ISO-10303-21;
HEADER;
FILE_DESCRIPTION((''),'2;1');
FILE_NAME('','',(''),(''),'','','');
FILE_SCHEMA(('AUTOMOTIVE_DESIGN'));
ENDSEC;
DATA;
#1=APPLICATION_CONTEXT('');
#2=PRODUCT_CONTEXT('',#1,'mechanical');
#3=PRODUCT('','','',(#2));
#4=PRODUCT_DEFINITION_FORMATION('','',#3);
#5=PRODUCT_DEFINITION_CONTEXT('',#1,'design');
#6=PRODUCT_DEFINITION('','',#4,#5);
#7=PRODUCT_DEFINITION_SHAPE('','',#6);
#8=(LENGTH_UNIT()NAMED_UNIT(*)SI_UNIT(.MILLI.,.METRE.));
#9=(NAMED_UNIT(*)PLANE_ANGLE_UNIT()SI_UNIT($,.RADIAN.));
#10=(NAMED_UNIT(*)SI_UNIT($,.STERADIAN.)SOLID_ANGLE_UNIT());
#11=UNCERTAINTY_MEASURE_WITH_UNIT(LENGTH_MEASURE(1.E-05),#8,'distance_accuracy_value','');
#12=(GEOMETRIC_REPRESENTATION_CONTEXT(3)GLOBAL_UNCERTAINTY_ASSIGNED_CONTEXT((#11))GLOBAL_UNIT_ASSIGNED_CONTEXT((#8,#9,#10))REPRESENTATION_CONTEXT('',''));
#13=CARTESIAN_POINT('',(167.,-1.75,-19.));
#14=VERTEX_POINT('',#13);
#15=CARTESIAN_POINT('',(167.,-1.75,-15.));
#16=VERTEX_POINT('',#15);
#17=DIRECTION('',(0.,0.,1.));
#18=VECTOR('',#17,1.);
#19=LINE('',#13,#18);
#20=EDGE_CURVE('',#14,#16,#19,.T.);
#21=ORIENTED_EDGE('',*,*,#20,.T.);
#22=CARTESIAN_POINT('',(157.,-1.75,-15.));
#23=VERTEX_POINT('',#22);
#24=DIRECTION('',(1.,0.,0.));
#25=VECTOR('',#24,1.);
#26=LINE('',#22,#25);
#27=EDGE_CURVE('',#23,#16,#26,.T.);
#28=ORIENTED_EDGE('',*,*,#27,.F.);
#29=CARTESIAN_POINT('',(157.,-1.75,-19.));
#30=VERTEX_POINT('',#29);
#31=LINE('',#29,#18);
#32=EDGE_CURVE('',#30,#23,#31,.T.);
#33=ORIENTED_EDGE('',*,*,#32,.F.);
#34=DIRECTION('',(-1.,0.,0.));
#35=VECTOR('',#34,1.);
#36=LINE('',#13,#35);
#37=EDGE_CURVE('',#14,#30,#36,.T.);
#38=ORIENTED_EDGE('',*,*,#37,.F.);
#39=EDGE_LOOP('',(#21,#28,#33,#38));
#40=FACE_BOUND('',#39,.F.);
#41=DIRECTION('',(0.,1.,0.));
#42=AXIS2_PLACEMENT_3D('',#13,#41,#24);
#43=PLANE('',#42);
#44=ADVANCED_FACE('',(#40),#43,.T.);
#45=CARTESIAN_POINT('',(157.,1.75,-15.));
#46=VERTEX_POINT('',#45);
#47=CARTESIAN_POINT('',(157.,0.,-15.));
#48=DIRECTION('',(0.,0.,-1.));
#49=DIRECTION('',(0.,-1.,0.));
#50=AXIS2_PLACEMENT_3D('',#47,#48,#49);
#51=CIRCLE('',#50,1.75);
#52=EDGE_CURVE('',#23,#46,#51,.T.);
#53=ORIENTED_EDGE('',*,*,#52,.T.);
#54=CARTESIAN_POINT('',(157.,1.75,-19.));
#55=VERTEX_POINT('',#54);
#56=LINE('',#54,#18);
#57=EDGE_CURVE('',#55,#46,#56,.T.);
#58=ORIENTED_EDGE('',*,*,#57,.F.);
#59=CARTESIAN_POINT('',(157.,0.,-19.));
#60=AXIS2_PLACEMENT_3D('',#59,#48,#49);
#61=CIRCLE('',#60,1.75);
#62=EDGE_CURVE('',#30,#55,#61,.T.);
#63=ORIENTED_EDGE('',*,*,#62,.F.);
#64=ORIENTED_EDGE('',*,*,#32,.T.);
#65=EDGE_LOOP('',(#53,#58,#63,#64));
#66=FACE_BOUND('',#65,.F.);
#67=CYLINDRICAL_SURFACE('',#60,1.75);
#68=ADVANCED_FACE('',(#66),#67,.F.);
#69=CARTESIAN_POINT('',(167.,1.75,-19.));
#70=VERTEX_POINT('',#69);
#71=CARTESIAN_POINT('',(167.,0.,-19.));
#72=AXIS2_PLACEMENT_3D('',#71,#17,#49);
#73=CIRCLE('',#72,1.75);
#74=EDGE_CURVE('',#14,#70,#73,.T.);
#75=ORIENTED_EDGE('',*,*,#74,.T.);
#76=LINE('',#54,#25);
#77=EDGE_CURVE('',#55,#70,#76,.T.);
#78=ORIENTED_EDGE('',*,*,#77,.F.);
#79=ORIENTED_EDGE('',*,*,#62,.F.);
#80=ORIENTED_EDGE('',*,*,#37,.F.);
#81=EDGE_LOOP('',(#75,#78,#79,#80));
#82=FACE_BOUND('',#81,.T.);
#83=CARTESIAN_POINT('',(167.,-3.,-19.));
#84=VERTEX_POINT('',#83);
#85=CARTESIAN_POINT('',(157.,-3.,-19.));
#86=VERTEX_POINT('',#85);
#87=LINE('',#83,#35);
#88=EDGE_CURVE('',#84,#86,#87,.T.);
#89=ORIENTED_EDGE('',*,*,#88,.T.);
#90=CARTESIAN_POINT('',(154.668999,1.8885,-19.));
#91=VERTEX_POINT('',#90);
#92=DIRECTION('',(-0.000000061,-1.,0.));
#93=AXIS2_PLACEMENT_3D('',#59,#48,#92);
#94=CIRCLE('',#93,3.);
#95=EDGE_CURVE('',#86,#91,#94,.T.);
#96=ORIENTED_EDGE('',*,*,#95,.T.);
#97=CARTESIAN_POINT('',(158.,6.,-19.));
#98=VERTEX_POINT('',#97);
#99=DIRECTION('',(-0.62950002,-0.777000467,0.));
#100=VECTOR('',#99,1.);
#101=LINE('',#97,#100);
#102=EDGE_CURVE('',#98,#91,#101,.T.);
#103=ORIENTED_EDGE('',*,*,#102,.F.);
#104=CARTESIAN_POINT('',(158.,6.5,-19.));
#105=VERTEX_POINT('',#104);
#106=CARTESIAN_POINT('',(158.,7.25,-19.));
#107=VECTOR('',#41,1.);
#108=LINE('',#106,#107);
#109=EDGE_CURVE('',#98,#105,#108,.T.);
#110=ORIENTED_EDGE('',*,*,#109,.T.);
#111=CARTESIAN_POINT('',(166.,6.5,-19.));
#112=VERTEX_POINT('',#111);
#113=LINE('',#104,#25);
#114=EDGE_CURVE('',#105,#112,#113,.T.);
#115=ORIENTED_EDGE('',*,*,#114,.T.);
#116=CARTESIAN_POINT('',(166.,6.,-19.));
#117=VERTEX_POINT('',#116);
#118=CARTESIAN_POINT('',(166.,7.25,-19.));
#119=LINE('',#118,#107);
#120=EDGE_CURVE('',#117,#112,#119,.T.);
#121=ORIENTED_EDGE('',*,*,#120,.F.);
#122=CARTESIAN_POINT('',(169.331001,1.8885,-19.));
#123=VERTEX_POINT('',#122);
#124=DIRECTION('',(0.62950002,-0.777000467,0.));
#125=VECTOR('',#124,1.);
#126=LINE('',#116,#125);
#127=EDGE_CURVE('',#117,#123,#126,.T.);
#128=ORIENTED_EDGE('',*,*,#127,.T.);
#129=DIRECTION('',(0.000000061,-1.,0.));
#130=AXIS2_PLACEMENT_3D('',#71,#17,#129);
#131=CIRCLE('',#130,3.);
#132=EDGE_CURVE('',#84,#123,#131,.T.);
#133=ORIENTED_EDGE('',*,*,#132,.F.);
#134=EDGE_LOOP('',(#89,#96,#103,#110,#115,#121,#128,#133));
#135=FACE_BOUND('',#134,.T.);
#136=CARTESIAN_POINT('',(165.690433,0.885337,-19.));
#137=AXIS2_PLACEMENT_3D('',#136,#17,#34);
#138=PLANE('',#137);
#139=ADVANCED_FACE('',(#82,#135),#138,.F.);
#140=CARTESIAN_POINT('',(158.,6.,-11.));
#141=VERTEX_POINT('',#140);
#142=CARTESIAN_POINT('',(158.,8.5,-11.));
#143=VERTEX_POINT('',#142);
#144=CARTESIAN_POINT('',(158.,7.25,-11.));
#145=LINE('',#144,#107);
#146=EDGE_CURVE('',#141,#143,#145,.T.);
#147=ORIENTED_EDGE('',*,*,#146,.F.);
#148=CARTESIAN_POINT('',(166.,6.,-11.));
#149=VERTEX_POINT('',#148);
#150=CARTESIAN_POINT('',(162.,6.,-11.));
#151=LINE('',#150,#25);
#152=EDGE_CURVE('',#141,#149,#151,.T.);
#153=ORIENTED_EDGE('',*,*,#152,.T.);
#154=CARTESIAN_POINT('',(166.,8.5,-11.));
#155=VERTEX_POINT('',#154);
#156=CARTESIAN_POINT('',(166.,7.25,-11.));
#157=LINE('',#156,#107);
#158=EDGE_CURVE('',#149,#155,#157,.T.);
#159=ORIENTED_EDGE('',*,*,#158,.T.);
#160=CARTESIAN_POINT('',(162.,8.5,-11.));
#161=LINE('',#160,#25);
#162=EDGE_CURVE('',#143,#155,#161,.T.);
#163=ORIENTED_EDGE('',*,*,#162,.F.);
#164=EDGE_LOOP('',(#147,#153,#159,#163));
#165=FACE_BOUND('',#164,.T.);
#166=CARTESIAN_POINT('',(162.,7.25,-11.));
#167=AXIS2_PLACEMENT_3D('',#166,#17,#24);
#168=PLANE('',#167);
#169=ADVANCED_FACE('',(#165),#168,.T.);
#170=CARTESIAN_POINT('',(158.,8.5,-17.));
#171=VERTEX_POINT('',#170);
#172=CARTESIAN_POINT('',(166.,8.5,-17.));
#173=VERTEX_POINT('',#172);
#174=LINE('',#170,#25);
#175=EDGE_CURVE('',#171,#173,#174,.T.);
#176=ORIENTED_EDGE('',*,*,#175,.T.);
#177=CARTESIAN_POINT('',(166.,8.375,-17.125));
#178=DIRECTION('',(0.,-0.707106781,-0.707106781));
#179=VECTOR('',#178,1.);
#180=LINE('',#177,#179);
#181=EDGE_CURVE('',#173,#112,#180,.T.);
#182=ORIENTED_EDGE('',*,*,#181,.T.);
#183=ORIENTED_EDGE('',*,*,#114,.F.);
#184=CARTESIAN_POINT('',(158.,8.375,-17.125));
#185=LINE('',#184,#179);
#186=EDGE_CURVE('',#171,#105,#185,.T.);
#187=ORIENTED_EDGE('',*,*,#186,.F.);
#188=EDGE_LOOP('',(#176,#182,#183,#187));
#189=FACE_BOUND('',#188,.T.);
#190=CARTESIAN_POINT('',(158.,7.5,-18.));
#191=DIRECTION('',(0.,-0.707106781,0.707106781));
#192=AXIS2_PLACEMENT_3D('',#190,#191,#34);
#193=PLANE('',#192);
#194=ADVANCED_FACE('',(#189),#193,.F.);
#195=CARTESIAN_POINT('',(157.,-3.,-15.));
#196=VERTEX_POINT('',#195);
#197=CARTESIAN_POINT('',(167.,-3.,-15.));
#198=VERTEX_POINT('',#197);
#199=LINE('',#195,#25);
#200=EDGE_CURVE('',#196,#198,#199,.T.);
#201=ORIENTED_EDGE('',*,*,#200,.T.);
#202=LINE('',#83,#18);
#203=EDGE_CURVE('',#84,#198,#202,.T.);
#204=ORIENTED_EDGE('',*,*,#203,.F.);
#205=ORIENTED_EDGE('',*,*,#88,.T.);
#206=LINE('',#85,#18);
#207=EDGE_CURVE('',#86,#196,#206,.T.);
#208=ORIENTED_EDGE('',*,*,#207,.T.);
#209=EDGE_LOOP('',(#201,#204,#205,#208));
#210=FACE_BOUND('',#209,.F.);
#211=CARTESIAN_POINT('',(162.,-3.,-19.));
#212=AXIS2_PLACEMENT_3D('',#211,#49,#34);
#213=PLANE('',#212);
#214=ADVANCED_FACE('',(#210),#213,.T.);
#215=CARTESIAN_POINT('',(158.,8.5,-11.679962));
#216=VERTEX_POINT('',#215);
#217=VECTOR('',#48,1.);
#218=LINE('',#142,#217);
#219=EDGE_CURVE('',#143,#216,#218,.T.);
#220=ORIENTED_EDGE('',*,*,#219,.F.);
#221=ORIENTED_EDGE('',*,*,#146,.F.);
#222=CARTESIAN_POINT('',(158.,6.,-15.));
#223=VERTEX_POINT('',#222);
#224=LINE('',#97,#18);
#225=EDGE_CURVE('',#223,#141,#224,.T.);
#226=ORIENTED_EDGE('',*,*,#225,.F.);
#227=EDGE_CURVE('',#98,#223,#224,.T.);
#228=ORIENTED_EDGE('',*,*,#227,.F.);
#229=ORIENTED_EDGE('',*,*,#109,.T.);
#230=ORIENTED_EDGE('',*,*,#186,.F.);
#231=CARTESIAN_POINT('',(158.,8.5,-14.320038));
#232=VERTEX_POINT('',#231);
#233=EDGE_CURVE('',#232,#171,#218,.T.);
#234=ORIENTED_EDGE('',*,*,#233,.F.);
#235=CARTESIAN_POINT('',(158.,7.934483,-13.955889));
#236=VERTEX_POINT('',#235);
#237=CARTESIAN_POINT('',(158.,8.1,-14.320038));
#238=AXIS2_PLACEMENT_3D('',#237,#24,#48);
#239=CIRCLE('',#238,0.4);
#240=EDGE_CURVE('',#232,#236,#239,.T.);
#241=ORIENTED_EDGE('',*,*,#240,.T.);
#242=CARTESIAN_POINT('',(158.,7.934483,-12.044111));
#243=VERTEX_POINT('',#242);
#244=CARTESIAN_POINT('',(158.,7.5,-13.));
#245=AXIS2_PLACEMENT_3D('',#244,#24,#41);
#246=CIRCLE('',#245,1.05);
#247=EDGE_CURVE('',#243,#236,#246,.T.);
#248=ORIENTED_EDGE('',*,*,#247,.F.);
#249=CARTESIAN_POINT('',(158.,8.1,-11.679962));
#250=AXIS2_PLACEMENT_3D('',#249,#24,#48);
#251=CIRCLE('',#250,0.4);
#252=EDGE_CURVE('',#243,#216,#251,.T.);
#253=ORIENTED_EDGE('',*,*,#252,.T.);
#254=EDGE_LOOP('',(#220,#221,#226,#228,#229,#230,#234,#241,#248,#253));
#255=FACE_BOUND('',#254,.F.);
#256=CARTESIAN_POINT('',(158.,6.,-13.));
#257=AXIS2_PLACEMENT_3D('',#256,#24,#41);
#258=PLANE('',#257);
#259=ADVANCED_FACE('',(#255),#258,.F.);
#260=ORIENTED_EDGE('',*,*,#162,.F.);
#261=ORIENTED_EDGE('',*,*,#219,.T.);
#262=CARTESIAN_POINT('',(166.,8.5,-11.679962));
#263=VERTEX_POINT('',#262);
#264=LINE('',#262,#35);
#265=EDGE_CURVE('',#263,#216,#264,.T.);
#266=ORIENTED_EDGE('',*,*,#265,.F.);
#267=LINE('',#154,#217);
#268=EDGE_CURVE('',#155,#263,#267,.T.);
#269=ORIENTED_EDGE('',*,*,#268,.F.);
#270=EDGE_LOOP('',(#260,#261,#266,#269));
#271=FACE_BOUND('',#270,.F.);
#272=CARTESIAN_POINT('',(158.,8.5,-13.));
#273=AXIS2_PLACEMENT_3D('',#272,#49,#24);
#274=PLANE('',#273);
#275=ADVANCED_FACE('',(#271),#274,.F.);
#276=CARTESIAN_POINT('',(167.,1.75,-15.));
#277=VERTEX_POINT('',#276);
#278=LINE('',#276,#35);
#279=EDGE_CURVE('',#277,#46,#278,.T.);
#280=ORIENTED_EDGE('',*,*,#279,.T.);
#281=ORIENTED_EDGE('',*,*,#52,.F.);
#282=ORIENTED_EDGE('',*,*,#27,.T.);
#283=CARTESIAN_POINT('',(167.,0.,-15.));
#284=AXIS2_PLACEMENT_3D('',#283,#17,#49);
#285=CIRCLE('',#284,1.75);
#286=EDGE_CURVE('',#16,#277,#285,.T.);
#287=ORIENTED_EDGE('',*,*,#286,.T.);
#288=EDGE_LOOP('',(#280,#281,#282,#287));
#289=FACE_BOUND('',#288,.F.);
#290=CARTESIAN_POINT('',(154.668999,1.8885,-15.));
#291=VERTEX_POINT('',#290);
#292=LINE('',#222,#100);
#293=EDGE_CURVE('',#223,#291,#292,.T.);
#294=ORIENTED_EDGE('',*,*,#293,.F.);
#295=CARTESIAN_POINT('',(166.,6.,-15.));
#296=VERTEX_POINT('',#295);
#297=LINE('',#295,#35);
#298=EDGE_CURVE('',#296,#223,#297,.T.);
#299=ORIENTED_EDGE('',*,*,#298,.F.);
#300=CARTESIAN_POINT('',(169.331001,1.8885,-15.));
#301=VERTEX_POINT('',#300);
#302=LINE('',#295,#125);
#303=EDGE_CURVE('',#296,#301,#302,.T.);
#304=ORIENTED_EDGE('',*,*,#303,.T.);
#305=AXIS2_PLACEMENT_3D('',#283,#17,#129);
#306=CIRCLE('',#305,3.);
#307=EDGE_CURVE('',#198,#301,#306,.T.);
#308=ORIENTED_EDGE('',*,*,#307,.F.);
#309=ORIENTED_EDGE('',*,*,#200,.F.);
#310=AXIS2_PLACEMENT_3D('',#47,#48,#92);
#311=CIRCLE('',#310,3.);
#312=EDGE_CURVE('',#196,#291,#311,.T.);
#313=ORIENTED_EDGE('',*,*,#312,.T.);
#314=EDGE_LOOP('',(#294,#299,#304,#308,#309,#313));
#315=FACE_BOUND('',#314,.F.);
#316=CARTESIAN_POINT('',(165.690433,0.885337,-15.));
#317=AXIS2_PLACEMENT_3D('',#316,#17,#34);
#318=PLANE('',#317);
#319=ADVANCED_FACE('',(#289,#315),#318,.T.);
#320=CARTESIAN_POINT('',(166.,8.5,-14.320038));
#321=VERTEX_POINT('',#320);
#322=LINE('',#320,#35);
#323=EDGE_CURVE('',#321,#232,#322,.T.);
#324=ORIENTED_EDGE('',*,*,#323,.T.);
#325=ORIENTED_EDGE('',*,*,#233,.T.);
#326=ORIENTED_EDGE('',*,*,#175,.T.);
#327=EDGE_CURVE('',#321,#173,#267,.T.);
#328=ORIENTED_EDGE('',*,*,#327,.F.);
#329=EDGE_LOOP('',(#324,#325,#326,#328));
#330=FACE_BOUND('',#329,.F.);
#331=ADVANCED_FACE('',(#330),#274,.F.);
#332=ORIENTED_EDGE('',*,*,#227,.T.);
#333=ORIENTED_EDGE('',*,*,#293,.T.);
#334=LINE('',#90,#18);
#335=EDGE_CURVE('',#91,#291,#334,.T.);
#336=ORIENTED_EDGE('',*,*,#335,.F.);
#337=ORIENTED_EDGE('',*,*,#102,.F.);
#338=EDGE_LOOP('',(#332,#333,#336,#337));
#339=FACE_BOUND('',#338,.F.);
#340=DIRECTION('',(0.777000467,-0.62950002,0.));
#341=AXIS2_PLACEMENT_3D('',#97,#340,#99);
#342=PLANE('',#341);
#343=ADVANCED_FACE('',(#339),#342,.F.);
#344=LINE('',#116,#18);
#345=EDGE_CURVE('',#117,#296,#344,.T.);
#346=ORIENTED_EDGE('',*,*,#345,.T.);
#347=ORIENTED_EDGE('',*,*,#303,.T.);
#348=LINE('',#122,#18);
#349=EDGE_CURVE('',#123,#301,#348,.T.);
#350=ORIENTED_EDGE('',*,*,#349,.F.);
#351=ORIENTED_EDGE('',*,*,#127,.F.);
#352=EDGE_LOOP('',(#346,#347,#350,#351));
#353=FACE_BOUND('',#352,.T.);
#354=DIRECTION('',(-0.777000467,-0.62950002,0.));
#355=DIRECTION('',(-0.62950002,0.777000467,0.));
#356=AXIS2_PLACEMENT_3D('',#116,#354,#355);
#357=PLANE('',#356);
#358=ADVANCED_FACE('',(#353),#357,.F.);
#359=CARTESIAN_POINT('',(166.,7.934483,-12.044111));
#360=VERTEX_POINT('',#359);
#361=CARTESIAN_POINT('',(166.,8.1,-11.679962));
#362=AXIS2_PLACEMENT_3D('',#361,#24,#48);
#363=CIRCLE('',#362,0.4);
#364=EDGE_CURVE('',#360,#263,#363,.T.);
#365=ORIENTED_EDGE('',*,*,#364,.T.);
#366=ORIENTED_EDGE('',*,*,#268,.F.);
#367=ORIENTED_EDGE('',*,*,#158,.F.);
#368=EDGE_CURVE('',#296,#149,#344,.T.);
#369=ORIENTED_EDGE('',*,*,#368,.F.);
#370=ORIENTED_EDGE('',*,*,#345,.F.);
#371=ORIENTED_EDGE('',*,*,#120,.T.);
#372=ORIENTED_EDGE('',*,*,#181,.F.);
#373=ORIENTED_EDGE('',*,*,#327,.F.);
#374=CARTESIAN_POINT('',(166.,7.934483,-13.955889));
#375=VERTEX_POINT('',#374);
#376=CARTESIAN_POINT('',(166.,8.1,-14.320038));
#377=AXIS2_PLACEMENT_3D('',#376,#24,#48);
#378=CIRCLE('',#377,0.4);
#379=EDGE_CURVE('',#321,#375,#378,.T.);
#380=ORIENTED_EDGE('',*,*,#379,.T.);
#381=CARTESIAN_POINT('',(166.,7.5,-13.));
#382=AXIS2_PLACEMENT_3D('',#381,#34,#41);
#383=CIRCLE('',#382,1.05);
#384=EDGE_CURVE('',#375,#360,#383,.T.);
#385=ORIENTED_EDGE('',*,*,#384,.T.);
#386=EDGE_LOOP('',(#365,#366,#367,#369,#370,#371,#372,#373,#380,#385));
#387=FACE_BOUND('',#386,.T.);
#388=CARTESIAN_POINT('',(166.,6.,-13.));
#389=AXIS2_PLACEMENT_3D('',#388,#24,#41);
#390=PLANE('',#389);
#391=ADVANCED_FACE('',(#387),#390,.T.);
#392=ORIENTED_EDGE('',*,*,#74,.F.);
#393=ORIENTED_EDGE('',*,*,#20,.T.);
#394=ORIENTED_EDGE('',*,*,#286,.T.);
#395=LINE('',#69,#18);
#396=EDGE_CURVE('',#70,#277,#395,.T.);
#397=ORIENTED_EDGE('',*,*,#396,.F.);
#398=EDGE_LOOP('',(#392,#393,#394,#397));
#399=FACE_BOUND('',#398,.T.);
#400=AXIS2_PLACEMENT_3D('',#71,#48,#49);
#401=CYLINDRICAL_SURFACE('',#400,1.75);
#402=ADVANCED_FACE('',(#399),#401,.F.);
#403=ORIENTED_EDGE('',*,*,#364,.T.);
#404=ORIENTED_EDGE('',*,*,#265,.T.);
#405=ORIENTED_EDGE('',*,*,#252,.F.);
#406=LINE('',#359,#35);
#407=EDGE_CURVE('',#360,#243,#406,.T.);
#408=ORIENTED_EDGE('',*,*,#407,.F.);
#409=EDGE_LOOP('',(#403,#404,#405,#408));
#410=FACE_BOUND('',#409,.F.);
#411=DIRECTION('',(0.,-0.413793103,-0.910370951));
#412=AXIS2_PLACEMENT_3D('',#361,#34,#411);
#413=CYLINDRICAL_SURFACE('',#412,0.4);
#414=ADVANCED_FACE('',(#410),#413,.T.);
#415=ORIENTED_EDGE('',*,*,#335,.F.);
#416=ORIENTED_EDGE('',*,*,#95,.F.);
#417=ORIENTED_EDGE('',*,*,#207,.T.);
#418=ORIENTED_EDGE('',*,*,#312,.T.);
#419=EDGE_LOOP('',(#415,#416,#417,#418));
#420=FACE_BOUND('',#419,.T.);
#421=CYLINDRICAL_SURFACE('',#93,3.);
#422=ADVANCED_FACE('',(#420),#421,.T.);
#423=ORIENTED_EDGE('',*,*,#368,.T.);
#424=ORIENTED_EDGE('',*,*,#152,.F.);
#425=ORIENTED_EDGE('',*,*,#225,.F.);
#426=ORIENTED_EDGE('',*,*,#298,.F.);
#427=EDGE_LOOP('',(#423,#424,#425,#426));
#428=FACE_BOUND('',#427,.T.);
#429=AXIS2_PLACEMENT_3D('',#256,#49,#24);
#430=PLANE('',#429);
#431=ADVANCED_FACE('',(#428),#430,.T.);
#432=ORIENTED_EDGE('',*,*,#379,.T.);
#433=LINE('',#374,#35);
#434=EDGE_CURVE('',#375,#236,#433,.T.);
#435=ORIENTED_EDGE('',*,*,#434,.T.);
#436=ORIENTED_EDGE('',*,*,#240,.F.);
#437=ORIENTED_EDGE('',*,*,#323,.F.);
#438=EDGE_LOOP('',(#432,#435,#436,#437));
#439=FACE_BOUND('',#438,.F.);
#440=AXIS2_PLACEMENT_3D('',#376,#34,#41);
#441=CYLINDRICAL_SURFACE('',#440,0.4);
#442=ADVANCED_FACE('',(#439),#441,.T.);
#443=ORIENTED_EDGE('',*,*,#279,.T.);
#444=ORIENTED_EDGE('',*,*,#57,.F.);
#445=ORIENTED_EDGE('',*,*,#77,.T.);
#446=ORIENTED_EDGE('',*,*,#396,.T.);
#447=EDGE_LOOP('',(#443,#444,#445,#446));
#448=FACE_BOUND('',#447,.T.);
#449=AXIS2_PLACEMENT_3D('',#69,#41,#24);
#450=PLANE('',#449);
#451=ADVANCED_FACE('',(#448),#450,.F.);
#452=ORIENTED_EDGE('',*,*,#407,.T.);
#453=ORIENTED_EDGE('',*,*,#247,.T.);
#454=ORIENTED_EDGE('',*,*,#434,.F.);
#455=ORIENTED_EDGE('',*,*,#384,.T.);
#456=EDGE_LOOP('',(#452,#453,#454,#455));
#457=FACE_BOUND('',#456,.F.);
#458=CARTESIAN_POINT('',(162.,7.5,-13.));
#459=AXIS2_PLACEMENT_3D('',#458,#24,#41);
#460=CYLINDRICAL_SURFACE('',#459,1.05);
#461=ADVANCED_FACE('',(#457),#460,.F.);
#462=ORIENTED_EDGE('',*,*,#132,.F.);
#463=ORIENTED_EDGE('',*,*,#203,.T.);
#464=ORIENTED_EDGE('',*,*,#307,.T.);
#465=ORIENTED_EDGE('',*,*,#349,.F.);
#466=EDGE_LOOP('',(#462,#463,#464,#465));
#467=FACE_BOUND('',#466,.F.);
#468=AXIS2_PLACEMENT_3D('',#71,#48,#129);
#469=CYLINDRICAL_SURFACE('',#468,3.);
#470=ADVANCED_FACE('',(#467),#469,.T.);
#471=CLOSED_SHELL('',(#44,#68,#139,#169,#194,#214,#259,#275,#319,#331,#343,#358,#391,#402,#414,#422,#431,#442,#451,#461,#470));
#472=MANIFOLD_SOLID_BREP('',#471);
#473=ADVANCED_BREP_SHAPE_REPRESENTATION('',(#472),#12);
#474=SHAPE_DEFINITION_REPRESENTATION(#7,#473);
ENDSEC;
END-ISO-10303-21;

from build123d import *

# Parameters (mm, degrees)
SKETCH228_W          = 8
SKETCH228_H          = 2.5
PAD110_DEPTH         = 2
PAD110_DEPTH_BACK    = 6
SKETCH227_R          = 1.05
POCKET092_DEPTH      = 4.001
POCKET092_DEPTH_BACK = 4.001
PAD111_DEPTH         = 4
FILLET001_R          = 0.4
CHAMFER006_SIZE      = 2


with BuildPart() as part:
    # Sketch228 → Pad110 (new body, two sides)
    with BuildSketch(Plane.XY) as pad110_sk:
        with Locations((0, -0.25)):
            Rectangle(SKETCH228_W, SKETCH228_H)
    extrude(amount=PAD110_DEPTH)
    extrude(pad110_sk.sketch, amount=-PAD110_DEPTH_BACK)

    # Sketch227 → Pocket092 (cut, two sides)
    with BuildSketch(Plane.YZ) as pocket092_sk:
        Circle(SKETCH227_R)
    extrude(amount=-POCKET092_DEPTH, mode=Mode.SUBTRACT)
    extrude(pocket092_sk.sketch, amount=POCKET092_DEPTH_BACK, mode=Mode.SUBTRACT)

    # Sketch229 (on Face2 of Pocket092) → Pad111 (join)
    with BuildSketch(Plane(origin=(0, 0, -6), x_dir=(1, 0, 0), z_dir=(0, 0, -1))):
        with BuildLine():
            ThreePointArc((-5, 9.25), (-6.75, 7.5), (-5, 5.75))
            Line((-5, 5.75), (0, 5.75))
            Line((0, 5.75), (0, 1.5))
            Line((0, 1.5), (-4, 1.5))
            Line((-4, 1.5), (-7.331001, 5.6115))
            ThreePointArc((-5, 10.5), (-7.707905, 8.79122), (-7.331001, 5.6115))
            Line((0, 10.5), (-5, 10.5))
            Line((0, 10.5), (0, 9.25))
            Line((-5, 9.25), (0, 9.25))
        make_face()
    pad111 = extrude(amount=-PAD111_DEPTH)

    # Mirrored009: Pad111 across Sketch229 V_Axis
    add(pad111.mirror(Plane(origin=(0, 0, -6), x_dir=(0, 0, -1), z_dir=(1, 0, 0))))

    # Fillet001
    fillet001_edges = [part.edges().sort_by_distance(p)[0] for p in [
        (0, 1, 0.320156),
        (0, 1, -0.320156),
    ]]
    fillet(fillet001_edges, radius=FILLET001_R)

    # Chamfer006
    chamfer006_edges = [part.edges().sort_by_distance(p)[0] for p in [
        (0, 1, -6),
    ]]
    chamfer(chamfer006_edges, length=CHAMFER006_SIZE)


with BuildPart() as part_1:
    # Body081 placement: moved
    add(part.part.moved(Location((162, 7.5, -13))))


solid = part_1.part
